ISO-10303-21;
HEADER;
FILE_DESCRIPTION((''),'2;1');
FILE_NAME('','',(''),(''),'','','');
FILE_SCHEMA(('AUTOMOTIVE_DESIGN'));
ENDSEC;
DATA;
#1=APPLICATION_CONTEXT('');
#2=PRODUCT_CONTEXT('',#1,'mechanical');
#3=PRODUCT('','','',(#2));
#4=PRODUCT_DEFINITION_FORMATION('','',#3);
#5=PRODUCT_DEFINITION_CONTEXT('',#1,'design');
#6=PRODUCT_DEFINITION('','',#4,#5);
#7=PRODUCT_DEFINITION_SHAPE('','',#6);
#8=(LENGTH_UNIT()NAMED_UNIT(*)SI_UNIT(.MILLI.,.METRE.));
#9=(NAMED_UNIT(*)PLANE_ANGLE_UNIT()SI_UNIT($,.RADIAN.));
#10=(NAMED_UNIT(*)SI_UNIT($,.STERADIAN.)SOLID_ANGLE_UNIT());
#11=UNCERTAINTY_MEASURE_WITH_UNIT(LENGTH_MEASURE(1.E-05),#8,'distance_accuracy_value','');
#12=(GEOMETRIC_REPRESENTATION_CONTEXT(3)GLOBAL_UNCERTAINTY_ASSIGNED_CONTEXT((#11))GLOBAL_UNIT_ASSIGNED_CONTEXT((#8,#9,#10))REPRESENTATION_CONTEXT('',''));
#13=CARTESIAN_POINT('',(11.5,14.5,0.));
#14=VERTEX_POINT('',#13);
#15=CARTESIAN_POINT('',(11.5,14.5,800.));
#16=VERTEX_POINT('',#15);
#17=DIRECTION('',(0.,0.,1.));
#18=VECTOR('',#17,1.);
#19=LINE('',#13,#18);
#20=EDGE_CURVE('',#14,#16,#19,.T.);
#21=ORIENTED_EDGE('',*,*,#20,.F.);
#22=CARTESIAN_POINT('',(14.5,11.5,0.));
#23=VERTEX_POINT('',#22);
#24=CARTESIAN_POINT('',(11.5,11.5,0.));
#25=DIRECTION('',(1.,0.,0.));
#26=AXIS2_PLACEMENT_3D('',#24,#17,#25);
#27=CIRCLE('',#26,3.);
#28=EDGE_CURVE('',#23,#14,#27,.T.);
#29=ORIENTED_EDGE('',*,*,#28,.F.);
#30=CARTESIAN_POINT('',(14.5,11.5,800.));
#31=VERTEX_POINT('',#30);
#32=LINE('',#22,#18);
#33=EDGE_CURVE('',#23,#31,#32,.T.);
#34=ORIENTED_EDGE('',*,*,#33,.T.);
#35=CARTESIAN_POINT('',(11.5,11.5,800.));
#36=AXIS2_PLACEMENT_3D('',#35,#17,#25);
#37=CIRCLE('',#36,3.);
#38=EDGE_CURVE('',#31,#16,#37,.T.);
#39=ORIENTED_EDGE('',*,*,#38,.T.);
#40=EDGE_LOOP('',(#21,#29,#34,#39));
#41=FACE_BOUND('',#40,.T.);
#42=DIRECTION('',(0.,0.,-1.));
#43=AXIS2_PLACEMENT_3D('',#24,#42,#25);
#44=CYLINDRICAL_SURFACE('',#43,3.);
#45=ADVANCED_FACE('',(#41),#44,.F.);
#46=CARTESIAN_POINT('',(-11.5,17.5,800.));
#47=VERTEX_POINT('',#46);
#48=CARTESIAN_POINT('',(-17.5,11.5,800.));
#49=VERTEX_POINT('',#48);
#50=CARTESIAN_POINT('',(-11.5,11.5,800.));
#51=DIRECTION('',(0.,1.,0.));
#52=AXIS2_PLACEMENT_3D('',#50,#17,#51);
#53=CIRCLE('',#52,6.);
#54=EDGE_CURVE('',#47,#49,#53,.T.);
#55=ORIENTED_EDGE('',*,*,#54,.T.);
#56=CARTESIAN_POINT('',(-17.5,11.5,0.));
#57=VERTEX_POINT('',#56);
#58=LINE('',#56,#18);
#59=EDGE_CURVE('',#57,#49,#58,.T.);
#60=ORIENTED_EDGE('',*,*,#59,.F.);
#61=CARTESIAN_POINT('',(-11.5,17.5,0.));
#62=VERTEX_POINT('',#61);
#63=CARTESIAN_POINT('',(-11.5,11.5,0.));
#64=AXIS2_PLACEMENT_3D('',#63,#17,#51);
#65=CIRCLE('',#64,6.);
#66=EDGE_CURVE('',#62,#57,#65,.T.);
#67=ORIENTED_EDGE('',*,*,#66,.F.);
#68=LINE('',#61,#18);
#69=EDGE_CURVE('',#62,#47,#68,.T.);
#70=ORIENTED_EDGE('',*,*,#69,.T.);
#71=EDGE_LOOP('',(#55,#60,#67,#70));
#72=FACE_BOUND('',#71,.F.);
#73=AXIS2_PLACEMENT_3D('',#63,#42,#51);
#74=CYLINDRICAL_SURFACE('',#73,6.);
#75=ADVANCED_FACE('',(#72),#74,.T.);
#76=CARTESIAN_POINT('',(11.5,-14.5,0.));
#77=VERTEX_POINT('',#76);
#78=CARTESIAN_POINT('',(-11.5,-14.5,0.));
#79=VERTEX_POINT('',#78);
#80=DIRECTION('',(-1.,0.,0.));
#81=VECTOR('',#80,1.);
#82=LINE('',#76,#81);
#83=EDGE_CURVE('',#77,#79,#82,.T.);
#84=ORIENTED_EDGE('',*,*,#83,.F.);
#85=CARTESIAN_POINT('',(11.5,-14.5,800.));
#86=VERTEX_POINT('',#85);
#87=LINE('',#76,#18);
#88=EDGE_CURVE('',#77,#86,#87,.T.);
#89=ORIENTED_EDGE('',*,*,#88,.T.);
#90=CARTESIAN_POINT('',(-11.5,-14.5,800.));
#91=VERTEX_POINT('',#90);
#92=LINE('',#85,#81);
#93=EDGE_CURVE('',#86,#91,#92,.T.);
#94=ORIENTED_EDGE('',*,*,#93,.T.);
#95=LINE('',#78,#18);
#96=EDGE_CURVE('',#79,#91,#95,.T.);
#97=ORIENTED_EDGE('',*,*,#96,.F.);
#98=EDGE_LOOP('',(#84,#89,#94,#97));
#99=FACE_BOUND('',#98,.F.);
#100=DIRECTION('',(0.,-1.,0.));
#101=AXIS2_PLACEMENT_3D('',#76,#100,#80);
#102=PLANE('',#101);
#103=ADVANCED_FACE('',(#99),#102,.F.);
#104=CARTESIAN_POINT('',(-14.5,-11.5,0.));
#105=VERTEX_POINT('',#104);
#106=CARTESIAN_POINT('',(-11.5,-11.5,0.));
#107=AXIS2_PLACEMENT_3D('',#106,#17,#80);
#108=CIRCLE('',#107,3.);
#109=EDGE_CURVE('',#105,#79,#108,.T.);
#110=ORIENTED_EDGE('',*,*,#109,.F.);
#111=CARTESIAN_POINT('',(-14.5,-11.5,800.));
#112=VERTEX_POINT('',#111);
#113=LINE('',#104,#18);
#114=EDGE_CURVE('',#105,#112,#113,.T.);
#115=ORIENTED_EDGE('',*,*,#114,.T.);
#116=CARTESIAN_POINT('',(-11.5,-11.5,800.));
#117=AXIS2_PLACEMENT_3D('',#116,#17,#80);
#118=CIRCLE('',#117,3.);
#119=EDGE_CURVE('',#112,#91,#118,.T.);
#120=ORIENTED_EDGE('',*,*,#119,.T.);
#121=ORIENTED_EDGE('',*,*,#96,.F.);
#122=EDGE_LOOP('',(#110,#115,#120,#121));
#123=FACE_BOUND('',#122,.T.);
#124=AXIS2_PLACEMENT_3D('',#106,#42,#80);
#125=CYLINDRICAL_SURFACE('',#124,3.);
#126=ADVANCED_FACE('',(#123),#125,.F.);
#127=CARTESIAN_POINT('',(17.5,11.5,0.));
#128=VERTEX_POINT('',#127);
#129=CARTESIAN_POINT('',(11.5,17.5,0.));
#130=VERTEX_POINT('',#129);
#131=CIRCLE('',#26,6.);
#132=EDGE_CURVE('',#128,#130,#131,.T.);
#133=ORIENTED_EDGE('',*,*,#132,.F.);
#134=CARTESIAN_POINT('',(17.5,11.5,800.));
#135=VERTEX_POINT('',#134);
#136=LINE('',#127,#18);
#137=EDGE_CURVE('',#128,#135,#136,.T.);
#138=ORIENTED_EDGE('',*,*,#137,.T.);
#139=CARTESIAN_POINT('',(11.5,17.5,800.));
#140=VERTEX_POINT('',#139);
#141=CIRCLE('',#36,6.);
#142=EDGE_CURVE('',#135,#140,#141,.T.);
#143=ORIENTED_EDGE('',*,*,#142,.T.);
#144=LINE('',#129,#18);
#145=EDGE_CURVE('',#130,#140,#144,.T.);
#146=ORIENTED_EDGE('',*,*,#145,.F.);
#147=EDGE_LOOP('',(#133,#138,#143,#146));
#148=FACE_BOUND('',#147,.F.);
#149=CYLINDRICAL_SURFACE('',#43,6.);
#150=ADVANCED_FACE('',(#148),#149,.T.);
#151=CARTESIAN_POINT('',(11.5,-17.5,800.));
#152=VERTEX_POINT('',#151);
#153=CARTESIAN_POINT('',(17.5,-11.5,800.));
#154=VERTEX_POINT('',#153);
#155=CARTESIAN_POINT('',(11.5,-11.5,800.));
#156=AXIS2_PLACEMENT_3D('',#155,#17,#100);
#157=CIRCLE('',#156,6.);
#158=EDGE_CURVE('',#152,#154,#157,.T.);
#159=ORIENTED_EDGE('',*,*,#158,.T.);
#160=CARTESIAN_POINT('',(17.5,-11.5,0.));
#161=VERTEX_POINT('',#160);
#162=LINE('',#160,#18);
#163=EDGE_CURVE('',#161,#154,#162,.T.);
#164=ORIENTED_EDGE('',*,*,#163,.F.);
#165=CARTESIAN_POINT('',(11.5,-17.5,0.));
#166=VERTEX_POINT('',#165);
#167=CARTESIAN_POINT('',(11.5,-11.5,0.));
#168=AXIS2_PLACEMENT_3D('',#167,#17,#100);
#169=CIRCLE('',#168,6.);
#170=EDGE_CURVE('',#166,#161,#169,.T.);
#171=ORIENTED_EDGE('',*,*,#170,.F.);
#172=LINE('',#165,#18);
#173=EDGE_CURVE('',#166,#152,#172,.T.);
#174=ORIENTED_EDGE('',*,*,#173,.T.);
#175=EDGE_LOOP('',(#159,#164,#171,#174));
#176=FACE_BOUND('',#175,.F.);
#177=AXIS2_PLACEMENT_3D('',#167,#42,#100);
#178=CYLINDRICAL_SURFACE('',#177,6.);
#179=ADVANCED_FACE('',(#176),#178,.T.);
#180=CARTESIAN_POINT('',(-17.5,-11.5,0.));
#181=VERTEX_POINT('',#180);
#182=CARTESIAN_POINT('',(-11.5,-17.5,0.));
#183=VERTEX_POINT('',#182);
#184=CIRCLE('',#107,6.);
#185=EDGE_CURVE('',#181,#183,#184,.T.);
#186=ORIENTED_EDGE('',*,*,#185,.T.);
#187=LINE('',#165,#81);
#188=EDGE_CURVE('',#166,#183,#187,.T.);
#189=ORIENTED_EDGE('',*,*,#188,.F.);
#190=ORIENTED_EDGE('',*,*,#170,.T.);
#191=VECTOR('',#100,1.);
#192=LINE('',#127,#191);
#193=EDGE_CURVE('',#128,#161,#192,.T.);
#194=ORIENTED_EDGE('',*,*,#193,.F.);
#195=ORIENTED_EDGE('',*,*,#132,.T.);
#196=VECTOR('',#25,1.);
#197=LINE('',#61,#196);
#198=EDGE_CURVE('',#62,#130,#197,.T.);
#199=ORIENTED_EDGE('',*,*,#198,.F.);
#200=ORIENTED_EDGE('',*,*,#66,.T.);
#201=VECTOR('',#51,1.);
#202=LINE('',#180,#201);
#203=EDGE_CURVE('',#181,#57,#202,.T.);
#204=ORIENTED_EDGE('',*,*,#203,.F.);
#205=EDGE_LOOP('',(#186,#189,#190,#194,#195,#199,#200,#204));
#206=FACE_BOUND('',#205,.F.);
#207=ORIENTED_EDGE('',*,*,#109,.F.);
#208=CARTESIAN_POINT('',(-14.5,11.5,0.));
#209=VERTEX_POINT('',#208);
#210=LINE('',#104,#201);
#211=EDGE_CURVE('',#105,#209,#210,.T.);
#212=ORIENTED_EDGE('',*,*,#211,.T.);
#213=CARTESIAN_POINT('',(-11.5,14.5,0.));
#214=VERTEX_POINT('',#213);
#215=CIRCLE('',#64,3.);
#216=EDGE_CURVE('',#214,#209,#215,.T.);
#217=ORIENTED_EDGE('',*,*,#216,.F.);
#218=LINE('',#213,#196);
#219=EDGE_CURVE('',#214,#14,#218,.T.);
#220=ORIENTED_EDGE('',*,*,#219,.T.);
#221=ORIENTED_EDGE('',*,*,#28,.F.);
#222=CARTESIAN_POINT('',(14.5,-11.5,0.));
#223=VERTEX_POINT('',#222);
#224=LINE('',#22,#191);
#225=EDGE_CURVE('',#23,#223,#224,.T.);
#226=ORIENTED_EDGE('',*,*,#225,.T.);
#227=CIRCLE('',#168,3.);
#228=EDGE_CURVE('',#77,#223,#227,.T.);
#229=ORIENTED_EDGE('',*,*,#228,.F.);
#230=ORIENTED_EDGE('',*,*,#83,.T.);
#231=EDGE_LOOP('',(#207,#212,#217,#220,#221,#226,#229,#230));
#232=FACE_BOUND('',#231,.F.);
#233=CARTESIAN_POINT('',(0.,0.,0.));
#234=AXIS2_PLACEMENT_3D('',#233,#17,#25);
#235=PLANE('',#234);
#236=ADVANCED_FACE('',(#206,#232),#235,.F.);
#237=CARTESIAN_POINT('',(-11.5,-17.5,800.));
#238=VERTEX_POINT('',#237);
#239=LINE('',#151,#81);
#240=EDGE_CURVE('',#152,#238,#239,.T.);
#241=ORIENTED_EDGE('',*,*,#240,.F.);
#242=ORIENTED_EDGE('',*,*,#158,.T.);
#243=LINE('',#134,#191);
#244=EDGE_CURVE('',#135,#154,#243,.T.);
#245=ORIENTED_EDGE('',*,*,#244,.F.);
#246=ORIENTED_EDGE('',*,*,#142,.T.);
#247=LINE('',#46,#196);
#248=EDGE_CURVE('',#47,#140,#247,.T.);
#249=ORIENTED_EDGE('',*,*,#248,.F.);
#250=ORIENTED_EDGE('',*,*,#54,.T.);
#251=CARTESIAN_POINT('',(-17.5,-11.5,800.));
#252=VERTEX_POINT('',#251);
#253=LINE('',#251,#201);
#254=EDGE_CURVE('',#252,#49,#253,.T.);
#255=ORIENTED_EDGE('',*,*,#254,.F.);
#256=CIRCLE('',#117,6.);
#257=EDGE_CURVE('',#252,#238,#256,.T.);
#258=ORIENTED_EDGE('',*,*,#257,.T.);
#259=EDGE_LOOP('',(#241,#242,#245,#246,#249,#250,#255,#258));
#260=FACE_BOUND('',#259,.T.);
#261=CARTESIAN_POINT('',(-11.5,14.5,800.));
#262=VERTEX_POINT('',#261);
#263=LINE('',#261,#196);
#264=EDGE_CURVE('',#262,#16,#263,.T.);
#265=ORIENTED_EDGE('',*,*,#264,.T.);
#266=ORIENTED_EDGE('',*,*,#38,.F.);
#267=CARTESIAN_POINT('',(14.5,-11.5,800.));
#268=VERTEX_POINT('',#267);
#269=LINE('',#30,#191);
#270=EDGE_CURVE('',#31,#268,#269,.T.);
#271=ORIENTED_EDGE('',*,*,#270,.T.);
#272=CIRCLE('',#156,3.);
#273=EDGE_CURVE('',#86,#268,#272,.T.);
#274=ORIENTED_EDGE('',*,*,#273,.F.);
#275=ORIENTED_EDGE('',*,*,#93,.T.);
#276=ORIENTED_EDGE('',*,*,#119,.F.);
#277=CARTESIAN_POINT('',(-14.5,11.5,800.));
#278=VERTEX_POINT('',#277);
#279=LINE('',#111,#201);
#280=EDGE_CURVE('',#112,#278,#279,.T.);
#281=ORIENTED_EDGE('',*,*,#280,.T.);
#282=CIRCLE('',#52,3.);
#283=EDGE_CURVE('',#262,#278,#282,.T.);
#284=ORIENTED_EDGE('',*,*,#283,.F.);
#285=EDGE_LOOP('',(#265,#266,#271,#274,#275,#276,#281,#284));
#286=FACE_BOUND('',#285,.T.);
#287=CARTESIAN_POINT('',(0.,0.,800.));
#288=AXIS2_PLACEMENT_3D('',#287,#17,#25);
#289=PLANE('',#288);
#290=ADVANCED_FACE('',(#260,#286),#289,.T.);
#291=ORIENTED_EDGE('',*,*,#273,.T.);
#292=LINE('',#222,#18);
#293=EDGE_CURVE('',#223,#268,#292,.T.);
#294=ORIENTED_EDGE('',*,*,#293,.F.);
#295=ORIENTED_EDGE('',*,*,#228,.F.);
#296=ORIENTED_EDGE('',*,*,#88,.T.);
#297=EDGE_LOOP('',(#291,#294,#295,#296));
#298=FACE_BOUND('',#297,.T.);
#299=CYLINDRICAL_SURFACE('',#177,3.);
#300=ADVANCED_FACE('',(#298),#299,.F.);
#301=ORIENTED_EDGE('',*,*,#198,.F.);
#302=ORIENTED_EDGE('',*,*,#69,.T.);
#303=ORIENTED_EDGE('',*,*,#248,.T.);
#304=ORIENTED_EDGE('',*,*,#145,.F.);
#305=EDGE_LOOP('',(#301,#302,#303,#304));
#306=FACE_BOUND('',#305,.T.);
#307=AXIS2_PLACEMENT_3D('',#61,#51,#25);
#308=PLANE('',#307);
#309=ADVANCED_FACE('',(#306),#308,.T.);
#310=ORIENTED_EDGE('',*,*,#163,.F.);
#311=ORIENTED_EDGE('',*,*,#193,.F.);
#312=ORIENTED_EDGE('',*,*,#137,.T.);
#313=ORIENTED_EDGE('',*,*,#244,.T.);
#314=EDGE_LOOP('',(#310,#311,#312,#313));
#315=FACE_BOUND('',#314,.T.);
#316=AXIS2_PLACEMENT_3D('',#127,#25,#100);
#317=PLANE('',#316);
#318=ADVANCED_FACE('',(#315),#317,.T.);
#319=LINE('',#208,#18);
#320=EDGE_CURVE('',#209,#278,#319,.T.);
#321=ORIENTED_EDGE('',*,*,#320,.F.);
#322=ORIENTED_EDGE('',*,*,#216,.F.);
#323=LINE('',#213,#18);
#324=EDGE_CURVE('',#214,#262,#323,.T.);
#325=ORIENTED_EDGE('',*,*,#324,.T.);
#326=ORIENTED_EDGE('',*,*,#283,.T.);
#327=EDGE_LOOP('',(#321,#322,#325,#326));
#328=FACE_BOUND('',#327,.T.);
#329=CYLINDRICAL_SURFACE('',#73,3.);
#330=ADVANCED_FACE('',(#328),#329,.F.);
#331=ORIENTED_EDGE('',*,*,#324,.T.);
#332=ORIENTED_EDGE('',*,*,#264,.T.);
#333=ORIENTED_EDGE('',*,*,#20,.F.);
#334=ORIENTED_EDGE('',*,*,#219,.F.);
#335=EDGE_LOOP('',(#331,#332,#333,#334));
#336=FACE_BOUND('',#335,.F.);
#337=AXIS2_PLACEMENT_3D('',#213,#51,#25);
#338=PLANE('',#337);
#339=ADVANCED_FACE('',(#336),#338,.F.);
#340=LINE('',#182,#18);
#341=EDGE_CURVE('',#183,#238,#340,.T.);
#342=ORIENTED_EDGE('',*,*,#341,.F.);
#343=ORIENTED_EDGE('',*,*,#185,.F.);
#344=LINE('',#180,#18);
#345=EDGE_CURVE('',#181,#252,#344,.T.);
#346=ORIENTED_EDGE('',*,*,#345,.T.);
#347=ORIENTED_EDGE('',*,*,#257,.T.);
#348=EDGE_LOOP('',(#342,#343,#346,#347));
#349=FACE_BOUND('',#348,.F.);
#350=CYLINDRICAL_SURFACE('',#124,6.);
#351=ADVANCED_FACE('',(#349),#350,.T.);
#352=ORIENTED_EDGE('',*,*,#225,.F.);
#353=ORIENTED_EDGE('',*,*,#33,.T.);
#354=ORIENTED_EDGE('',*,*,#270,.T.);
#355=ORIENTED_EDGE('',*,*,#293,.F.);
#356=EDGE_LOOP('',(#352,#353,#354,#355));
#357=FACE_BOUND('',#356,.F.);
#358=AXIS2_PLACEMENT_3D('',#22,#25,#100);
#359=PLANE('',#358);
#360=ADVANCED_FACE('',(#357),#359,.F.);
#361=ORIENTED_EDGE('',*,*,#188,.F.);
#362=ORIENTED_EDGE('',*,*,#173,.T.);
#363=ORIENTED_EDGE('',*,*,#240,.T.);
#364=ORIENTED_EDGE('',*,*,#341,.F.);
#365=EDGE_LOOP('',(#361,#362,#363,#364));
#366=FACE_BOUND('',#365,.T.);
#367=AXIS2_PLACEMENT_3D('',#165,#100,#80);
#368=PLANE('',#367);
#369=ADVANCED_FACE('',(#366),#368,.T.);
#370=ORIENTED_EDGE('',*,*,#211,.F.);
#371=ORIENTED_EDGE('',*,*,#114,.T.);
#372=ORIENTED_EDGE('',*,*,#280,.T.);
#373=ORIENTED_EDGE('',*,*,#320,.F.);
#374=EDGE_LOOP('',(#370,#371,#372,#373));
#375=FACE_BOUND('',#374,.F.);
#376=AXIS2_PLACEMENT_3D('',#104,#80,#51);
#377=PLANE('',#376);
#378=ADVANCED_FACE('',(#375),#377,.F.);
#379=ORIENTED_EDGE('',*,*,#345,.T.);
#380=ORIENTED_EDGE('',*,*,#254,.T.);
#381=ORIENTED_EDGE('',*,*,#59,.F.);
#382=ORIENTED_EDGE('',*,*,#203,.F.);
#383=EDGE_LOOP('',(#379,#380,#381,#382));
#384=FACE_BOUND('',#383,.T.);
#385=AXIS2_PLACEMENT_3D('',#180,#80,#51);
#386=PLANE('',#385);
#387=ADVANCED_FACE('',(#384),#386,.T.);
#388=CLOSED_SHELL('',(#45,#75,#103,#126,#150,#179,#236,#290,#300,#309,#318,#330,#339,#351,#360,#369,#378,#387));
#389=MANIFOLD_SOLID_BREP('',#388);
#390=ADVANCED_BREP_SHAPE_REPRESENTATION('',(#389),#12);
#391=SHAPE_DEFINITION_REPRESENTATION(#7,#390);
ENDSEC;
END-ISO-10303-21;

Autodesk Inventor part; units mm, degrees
ref_plane "YZ Plane" through (0, 0, 0) normal (1, 0, 0) x (0, 1, 0)
ref_plane "Počáteční rovina" through (0, 0, 0) normal (0, 0, 1) x (1, 0, 0)
ref_plane "Koncová rovina" through (0, 0, 805) normal (0, 0, 1) x (1, 0, 0)
sketch "Náčrt1" plane through (0, 0, 0) normal (0, 0, 1) x (1, 0, 0)
  line L0 (-11.5, 17.5) -> (11.5, 17.5)
  line L1 (17.5, 11.5) -> (17.5, -11.5)
  line L2 (11.5, -17.5) -> (-11.5, -17.5)
  line L3 (-17.5, -11.5) -> (-17.5, 11.5)
  arc A0 (-11.5, 17.5) -> (-17.5, 11.5) centre (-11.5, 11.5) ccw
  arc A1 (17.5, 11.5) -> (11.5, 17.5) centre (11.5, 11.5) ccw
  arc A2 (11.5, -17.5) -> (17.5, -11.5) centre (11.5, -11.5) ccw
  arc A3 (-17.5, -11.5) -> (-11.5, -17.5) centre (-11.5, -11.5) ccw
  line L4 (-26.2397, 0) -> (26.2397, 0) construction
  line L5 (0, -26.2397) -> (0, 26.2397) construction
  arc A4 (-11.5, 14.5) -> (-14.5, 11.5) centre (-11.5, 11.5) ccw
  line L6 (-11.5, 14.5) -> (11.5, 14.5)
  arc A5 (14.5, 11.5) -> (11.5, 14.5) centre (11.5, 11.5) ccw
  line L7 (14.5, 11.5) -> (14.5, -11.5)
  arc A6 (11.5, -14.5) -> (14.5, -11.5) centre (11.5, -11.5) ccw
  line L8 (11.5, -14.5) -> (-11.5, -14.5)
  arc A7 (-14.5, -11.5) -> (-11.5, -14.5) centre (-11.5, -11.5) ccw
  line L9 (-14.5, -11.5) -> (-14.5, 11.5)
  point P0 (-17.5, 17.5)
  point P1 (17.5, -17.5)
  point P2 (17.5, 17.5)
  dimension "b" = 35
  dimension "msp_r" = 6
  dimension "d8" = 17.5
  dimension "d9" = 17.5
  dimension "d10" = 3
extrude "Těleso" add sketch "Náčrt1" along normal blind 800
sketch "Sketch2" plane through (0, 0, 0) normal (0, 0, 1) x (1, 0, 0)
  line L0 (0, 0) -> (10, 0)
ref_plane "Work Plane3" through (0, 0, 0) normal (0, -1, 0) x (1, 0, 0)
sketch "Sketch3" plane through (0, 0, 0) normal (0, -1, 0) x (1, 0, 0)
  line L0 (-2, 0) -> (12, 0)
  line L1 (-2, 805) -> (12, 805)
  dimension "d14" = 805
equation "\"msp_r\" = 2 * ParT"
equation "\"d8\" = d9"
equation "\"d9\" = 0.5 * b"
equation "\"d10\" = ParT"
equation "\"G_OFFSET_START\" = 0"
equation "\"G_OFFSET_END\" = 0"
equation "\"d12\" = G_OFFSET_END + B_L"
equation "\"G_L\" = d14"
equation "\"B_L\" = 805"
equation "\"ParT\" = 3"
properties part number "CSN 426935 - 35x35x3-805" material "Nerezová ocel"
